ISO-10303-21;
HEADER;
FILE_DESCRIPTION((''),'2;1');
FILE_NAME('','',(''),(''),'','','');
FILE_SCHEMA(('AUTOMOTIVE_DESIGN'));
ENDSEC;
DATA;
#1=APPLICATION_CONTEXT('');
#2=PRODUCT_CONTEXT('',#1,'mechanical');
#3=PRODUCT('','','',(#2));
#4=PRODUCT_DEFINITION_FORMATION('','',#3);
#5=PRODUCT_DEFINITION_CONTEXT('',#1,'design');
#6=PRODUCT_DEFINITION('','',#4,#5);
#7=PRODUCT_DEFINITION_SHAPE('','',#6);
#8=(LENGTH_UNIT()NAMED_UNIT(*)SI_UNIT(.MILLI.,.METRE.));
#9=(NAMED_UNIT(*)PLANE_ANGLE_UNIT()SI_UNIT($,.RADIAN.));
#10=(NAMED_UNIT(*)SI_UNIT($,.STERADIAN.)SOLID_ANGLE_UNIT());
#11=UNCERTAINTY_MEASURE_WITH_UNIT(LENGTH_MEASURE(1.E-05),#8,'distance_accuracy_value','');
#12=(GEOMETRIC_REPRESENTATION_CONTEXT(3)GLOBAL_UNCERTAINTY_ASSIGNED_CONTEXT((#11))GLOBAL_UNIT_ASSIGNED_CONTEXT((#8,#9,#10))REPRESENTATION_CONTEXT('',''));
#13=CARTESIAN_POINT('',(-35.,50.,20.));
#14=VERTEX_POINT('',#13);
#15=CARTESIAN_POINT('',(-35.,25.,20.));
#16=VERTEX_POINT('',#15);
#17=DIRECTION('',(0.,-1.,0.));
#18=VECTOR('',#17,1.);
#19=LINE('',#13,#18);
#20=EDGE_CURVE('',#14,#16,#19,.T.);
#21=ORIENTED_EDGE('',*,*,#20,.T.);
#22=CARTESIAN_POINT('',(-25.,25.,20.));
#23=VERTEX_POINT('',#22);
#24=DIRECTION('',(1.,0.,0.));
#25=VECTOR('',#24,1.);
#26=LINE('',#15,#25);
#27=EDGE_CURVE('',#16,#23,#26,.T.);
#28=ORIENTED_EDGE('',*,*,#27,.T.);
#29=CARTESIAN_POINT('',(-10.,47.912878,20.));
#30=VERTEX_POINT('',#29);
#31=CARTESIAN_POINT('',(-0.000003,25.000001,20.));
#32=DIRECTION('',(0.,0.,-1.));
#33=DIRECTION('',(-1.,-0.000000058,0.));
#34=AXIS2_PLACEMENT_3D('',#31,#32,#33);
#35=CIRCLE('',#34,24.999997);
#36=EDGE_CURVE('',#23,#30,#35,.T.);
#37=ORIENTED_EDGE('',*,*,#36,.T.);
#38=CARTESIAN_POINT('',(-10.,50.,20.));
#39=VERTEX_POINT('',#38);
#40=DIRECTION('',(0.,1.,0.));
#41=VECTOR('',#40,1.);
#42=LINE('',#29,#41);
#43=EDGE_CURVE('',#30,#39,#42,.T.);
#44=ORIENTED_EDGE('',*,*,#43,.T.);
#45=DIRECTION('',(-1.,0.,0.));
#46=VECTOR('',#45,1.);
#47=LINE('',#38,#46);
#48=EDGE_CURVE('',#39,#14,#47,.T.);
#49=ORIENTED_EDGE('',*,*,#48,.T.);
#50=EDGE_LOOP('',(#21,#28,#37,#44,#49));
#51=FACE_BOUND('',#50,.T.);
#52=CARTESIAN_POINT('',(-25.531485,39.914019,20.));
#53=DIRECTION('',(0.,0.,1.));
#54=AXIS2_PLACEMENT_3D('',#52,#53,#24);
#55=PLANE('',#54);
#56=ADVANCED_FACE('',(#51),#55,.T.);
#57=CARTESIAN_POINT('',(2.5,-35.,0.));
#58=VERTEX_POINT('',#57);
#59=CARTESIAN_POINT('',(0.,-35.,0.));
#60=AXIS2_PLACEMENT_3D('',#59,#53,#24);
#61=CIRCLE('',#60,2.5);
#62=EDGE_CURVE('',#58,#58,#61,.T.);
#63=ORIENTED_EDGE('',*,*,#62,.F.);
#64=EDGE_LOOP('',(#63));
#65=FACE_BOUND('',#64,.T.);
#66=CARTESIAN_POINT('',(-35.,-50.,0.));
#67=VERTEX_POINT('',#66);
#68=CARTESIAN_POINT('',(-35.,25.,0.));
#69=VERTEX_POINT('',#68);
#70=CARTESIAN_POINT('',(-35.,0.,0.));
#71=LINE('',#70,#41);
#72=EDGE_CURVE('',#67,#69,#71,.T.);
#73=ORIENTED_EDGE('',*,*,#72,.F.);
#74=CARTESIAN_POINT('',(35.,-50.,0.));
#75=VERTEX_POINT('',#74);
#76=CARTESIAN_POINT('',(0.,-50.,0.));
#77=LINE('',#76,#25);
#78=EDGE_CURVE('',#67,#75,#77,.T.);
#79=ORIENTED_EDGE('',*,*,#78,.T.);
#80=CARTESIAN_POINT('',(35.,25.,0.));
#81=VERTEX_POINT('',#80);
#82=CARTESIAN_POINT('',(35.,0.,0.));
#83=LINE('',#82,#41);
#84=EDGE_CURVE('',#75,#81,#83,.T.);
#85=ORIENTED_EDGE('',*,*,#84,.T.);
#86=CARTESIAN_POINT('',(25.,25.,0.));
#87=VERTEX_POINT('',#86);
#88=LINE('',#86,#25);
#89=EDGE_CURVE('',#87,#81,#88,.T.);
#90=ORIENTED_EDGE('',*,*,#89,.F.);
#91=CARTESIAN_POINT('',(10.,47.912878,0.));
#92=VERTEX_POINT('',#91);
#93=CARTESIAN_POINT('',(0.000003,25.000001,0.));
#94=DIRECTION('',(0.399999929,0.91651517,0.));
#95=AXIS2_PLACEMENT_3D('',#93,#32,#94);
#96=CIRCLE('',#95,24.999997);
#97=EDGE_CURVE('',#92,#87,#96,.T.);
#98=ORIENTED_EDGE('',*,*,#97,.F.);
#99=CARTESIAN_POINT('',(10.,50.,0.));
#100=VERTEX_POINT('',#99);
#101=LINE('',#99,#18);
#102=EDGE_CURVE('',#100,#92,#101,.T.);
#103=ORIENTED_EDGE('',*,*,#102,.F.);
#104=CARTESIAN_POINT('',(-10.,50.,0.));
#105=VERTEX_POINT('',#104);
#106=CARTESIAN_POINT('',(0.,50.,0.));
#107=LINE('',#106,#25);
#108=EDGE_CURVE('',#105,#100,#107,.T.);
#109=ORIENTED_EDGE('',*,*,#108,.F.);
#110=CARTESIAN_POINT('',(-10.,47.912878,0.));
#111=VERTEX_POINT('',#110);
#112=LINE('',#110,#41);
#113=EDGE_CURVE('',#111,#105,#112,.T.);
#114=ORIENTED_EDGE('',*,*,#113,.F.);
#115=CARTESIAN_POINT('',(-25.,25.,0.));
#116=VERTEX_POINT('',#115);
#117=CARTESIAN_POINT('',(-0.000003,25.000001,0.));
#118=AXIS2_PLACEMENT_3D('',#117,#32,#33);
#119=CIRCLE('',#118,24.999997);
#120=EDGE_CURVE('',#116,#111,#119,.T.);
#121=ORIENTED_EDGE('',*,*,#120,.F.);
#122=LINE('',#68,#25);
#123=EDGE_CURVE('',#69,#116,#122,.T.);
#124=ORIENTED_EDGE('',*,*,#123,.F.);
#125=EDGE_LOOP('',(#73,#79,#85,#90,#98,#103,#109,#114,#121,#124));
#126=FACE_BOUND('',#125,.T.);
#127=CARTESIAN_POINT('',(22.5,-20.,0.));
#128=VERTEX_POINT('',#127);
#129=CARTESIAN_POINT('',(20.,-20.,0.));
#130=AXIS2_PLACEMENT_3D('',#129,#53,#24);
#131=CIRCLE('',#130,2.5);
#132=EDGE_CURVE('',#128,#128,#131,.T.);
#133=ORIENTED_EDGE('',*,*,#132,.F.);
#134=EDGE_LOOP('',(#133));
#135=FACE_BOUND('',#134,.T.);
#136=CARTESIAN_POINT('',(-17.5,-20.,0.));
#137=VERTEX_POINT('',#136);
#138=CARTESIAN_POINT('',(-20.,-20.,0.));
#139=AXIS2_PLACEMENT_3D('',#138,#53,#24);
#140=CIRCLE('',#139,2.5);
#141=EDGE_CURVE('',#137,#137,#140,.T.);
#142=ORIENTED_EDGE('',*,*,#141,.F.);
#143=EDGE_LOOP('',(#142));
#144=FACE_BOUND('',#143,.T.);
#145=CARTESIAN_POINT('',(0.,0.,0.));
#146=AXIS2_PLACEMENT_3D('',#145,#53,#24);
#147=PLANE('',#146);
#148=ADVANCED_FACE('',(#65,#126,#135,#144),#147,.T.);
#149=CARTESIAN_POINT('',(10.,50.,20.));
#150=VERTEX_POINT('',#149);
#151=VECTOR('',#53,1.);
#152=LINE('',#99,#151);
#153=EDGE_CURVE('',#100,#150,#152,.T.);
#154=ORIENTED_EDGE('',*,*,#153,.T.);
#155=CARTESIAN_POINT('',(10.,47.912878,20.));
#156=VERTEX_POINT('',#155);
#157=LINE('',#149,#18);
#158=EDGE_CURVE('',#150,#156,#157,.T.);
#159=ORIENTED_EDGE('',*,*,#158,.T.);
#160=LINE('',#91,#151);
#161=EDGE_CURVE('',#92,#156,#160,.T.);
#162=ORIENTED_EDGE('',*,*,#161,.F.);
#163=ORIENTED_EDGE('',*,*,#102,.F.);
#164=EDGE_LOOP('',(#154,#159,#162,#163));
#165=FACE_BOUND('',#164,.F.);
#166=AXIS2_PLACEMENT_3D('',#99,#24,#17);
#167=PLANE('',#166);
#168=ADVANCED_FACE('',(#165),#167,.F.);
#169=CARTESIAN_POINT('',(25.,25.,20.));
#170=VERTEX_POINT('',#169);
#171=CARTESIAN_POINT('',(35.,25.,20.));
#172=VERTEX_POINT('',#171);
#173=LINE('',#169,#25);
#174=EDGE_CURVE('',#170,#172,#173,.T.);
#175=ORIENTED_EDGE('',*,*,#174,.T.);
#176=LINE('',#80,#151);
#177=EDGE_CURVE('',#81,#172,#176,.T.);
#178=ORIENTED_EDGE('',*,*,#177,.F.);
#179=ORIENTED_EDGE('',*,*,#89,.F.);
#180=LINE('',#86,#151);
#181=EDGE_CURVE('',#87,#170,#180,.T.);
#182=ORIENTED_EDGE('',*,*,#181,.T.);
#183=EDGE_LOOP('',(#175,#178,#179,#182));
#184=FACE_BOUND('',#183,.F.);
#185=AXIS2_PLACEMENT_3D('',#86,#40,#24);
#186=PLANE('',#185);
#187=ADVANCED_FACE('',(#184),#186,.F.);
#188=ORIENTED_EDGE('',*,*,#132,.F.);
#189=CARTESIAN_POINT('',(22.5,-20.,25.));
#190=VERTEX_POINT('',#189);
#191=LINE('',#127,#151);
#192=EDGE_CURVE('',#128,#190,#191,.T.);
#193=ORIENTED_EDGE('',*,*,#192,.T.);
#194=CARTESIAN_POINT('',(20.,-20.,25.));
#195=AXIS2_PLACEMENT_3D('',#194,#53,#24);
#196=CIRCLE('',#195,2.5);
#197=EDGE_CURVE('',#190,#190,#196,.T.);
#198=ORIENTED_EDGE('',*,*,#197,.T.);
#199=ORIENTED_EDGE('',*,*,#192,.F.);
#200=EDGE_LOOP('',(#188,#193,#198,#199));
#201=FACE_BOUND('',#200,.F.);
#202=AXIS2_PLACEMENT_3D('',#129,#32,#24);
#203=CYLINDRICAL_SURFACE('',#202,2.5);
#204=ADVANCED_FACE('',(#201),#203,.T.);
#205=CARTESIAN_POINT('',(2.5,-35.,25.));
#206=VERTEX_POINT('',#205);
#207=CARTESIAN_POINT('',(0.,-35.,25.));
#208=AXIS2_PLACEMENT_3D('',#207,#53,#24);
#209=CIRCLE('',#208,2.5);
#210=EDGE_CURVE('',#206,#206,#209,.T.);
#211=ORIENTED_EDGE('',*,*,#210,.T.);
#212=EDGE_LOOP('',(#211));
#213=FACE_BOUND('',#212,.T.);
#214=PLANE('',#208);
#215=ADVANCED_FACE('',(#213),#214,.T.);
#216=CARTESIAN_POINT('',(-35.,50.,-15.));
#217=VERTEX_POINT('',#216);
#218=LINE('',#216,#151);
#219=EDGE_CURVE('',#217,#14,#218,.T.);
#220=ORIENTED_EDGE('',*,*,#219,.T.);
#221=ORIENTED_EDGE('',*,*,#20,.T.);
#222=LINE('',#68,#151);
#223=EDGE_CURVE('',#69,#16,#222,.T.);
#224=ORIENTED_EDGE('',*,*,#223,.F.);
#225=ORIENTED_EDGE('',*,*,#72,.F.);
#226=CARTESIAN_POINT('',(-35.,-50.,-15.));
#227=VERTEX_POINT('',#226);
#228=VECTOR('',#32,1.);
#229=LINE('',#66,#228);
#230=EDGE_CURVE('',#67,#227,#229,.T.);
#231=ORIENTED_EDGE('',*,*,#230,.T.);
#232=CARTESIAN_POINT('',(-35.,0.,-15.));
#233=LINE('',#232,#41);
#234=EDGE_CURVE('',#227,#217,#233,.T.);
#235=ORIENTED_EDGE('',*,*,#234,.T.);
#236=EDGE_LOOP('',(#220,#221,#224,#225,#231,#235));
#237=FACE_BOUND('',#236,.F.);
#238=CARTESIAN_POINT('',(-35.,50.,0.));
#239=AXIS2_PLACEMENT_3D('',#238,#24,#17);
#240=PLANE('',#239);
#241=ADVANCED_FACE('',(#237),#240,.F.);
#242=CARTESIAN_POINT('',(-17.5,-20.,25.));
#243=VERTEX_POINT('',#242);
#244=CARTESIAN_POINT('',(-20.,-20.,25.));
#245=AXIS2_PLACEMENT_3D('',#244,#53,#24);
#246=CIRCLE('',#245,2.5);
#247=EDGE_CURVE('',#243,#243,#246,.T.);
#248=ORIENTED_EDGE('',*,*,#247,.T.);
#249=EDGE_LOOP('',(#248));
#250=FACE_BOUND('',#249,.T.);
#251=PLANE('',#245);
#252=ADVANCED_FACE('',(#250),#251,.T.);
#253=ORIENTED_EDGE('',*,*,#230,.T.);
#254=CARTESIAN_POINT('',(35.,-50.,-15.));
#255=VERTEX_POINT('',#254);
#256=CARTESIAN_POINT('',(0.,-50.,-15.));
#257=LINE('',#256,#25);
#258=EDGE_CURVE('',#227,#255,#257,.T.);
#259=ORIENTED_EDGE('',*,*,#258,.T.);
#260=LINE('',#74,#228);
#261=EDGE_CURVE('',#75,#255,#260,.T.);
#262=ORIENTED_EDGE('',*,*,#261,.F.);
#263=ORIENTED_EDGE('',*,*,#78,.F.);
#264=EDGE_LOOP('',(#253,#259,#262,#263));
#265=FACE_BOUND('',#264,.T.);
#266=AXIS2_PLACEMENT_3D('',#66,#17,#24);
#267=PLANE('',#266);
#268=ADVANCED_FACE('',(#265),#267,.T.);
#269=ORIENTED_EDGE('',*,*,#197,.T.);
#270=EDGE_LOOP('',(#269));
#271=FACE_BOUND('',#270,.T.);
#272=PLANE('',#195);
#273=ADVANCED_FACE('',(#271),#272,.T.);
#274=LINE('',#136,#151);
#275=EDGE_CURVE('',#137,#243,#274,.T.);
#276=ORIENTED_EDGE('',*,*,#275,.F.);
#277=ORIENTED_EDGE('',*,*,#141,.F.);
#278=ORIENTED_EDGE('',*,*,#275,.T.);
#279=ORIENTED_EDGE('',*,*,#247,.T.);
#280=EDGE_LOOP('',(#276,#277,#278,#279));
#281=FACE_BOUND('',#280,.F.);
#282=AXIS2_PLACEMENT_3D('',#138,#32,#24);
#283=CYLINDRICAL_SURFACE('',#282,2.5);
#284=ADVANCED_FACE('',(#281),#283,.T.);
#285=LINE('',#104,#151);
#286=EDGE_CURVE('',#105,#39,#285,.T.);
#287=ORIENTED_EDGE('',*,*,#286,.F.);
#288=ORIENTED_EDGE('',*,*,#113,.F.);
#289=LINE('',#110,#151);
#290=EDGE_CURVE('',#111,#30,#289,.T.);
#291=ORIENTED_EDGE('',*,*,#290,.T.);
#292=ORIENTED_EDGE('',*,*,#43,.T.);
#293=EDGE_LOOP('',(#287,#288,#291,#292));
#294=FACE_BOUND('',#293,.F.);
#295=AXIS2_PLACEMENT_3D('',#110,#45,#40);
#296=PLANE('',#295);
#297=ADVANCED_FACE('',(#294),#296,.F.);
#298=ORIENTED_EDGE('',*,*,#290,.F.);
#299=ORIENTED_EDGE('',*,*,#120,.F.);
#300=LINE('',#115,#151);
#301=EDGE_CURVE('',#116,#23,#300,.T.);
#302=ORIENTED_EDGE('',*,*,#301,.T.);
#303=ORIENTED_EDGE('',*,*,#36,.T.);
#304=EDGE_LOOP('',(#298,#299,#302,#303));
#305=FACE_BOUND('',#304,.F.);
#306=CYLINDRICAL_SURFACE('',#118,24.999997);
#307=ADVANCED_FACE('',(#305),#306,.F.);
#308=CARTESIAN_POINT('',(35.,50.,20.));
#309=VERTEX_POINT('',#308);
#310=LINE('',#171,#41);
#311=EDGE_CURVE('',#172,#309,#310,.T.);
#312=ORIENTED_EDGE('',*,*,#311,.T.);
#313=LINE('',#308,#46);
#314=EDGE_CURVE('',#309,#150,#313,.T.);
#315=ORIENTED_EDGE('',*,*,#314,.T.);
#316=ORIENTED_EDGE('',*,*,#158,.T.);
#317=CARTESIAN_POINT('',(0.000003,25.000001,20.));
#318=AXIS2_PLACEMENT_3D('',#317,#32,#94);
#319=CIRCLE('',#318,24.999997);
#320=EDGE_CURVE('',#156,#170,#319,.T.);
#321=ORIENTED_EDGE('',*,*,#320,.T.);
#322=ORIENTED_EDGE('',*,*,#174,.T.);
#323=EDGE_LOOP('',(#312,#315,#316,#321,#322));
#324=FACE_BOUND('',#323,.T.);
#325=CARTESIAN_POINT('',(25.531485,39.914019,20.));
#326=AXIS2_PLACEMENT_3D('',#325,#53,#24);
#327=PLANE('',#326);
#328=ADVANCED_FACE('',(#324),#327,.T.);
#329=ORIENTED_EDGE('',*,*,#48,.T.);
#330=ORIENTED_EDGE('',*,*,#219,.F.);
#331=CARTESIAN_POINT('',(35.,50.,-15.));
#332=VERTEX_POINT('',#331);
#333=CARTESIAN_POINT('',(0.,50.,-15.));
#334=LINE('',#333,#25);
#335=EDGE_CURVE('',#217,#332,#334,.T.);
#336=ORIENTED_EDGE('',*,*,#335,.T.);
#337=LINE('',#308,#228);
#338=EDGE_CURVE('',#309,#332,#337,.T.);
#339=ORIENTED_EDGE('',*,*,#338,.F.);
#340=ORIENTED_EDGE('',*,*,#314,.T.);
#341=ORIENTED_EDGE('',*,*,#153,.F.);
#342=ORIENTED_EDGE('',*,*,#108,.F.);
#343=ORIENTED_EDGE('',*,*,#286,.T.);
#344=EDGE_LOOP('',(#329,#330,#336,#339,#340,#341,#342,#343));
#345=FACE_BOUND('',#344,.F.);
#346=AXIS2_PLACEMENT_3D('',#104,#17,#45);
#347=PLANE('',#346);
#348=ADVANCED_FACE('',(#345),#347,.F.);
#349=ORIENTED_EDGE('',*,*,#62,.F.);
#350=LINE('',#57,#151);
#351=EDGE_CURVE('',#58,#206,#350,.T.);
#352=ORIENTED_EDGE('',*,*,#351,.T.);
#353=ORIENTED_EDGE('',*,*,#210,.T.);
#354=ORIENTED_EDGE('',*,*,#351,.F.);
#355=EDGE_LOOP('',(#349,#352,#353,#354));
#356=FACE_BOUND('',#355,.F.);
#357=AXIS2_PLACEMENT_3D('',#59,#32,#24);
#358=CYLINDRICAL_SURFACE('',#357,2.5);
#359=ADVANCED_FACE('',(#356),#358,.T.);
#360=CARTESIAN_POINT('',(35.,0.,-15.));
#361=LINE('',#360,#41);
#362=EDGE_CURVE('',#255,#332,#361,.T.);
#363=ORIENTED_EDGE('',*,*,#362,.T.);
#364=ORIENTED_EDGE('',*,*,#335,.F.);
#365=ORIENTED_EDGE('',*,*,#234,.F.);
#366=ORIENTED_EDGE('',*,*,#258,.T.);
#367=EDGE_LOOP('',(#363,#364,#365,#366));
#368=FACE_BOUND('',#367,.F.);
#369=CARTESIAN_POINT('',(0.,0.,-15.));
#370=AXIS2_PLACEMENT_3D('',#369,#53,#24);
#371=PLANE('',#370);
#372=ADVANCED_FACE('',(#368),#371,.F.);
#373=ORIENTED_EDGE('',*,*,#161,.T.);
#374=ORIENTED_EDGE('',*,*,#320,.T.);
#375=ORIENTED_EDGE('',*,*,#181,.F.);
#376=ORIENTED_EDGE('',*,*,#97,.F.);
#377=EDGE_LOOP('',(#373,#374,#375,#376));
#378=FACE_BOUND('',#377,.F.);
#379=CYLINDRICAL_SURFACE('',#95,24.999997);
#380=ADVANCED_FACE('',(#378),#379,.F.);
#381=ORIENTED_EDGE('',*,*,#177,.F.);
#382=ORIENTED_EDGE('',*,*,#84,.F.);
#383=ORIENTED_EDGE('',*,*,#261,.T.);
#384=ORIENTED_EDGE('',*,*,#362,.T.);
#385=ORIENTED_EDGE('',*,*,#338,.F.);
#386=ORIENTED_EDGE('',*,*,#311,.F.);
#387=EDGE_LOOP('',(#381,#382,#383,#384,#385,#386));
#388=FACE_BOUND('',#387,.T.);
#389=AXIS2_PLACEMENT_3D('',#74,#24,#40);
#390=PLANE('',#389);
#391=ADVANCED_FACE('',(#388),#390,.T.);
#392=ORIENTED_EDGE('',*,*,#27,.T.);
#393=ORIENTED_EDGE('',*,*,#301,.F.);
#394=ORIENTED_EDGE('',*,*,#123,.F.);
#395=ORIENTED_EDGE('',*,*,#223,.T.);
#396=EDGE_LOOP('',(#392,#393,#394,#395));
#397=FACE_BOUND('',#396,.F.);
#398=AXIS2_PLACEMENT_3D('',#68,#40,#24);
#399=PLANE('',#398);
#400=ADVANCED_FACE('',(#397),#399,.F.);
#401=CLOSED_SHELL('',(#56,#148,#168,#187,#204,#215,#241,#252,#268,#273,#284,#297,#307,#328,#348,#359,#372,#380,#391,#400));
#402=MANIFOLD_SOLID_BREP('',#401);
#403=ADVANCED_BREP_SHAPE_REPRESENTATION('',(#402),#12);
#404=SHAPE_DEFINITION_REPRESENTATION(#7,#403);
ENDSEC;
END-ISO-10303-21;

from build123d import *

# Parameters (mm, degrees)
F0_W     = 70
F0_H     = 100
F1_DEPTH = 15
F3_DEPTH = 20
F4_R     = 2.5
F5_DEPTH = 25


with BuildPart() as f1:
    # F0 (on Top) → F1 (new body)
    with BuildSketch(Plane.XY):
        Rectangle(F0_W, F0_H)
    extrude(amount=-F1_DEPTH)

    # F2 (on face) → F3 (join)
    with BuildSketch(Plane.XY):
        with BuildLine():
            Line((-10, 47.912878), (-10, 50))
            Line((-10, 50), (-35, 50))
            Line((-35, 50), (-35, 25))
            Line((-35, 25), (-25, 25))
            ThreePointArc((-25, 25), (-20.916501, 38.693064), (-10, 47.912878))
        make_face()
        with BuildLine():
            ThreePointArc((10, 47.912878), (20.916501, 38.693064), (25, 25))
            Line((25, 25), (35, 25))
            Line((35, 25), (35, 50))
            Line((35, 50), (10, 50))
            Line((10, 50), (10, 47.912878))
        make_face()
    extrude(amount=F3_DEPTH)

    # F4 (on face) → F5 (join)
    with BuildSketch(Plane.XY):
        with Locations((-20, -20)):
            Circle(F4_R)
        with Locations((0, -35)):
            Circle(F4_R)
        with Locations((20, -20)):
            Circle(F4_R)
    extrude(amount=F5_DEPTH)


solid = f1.part
